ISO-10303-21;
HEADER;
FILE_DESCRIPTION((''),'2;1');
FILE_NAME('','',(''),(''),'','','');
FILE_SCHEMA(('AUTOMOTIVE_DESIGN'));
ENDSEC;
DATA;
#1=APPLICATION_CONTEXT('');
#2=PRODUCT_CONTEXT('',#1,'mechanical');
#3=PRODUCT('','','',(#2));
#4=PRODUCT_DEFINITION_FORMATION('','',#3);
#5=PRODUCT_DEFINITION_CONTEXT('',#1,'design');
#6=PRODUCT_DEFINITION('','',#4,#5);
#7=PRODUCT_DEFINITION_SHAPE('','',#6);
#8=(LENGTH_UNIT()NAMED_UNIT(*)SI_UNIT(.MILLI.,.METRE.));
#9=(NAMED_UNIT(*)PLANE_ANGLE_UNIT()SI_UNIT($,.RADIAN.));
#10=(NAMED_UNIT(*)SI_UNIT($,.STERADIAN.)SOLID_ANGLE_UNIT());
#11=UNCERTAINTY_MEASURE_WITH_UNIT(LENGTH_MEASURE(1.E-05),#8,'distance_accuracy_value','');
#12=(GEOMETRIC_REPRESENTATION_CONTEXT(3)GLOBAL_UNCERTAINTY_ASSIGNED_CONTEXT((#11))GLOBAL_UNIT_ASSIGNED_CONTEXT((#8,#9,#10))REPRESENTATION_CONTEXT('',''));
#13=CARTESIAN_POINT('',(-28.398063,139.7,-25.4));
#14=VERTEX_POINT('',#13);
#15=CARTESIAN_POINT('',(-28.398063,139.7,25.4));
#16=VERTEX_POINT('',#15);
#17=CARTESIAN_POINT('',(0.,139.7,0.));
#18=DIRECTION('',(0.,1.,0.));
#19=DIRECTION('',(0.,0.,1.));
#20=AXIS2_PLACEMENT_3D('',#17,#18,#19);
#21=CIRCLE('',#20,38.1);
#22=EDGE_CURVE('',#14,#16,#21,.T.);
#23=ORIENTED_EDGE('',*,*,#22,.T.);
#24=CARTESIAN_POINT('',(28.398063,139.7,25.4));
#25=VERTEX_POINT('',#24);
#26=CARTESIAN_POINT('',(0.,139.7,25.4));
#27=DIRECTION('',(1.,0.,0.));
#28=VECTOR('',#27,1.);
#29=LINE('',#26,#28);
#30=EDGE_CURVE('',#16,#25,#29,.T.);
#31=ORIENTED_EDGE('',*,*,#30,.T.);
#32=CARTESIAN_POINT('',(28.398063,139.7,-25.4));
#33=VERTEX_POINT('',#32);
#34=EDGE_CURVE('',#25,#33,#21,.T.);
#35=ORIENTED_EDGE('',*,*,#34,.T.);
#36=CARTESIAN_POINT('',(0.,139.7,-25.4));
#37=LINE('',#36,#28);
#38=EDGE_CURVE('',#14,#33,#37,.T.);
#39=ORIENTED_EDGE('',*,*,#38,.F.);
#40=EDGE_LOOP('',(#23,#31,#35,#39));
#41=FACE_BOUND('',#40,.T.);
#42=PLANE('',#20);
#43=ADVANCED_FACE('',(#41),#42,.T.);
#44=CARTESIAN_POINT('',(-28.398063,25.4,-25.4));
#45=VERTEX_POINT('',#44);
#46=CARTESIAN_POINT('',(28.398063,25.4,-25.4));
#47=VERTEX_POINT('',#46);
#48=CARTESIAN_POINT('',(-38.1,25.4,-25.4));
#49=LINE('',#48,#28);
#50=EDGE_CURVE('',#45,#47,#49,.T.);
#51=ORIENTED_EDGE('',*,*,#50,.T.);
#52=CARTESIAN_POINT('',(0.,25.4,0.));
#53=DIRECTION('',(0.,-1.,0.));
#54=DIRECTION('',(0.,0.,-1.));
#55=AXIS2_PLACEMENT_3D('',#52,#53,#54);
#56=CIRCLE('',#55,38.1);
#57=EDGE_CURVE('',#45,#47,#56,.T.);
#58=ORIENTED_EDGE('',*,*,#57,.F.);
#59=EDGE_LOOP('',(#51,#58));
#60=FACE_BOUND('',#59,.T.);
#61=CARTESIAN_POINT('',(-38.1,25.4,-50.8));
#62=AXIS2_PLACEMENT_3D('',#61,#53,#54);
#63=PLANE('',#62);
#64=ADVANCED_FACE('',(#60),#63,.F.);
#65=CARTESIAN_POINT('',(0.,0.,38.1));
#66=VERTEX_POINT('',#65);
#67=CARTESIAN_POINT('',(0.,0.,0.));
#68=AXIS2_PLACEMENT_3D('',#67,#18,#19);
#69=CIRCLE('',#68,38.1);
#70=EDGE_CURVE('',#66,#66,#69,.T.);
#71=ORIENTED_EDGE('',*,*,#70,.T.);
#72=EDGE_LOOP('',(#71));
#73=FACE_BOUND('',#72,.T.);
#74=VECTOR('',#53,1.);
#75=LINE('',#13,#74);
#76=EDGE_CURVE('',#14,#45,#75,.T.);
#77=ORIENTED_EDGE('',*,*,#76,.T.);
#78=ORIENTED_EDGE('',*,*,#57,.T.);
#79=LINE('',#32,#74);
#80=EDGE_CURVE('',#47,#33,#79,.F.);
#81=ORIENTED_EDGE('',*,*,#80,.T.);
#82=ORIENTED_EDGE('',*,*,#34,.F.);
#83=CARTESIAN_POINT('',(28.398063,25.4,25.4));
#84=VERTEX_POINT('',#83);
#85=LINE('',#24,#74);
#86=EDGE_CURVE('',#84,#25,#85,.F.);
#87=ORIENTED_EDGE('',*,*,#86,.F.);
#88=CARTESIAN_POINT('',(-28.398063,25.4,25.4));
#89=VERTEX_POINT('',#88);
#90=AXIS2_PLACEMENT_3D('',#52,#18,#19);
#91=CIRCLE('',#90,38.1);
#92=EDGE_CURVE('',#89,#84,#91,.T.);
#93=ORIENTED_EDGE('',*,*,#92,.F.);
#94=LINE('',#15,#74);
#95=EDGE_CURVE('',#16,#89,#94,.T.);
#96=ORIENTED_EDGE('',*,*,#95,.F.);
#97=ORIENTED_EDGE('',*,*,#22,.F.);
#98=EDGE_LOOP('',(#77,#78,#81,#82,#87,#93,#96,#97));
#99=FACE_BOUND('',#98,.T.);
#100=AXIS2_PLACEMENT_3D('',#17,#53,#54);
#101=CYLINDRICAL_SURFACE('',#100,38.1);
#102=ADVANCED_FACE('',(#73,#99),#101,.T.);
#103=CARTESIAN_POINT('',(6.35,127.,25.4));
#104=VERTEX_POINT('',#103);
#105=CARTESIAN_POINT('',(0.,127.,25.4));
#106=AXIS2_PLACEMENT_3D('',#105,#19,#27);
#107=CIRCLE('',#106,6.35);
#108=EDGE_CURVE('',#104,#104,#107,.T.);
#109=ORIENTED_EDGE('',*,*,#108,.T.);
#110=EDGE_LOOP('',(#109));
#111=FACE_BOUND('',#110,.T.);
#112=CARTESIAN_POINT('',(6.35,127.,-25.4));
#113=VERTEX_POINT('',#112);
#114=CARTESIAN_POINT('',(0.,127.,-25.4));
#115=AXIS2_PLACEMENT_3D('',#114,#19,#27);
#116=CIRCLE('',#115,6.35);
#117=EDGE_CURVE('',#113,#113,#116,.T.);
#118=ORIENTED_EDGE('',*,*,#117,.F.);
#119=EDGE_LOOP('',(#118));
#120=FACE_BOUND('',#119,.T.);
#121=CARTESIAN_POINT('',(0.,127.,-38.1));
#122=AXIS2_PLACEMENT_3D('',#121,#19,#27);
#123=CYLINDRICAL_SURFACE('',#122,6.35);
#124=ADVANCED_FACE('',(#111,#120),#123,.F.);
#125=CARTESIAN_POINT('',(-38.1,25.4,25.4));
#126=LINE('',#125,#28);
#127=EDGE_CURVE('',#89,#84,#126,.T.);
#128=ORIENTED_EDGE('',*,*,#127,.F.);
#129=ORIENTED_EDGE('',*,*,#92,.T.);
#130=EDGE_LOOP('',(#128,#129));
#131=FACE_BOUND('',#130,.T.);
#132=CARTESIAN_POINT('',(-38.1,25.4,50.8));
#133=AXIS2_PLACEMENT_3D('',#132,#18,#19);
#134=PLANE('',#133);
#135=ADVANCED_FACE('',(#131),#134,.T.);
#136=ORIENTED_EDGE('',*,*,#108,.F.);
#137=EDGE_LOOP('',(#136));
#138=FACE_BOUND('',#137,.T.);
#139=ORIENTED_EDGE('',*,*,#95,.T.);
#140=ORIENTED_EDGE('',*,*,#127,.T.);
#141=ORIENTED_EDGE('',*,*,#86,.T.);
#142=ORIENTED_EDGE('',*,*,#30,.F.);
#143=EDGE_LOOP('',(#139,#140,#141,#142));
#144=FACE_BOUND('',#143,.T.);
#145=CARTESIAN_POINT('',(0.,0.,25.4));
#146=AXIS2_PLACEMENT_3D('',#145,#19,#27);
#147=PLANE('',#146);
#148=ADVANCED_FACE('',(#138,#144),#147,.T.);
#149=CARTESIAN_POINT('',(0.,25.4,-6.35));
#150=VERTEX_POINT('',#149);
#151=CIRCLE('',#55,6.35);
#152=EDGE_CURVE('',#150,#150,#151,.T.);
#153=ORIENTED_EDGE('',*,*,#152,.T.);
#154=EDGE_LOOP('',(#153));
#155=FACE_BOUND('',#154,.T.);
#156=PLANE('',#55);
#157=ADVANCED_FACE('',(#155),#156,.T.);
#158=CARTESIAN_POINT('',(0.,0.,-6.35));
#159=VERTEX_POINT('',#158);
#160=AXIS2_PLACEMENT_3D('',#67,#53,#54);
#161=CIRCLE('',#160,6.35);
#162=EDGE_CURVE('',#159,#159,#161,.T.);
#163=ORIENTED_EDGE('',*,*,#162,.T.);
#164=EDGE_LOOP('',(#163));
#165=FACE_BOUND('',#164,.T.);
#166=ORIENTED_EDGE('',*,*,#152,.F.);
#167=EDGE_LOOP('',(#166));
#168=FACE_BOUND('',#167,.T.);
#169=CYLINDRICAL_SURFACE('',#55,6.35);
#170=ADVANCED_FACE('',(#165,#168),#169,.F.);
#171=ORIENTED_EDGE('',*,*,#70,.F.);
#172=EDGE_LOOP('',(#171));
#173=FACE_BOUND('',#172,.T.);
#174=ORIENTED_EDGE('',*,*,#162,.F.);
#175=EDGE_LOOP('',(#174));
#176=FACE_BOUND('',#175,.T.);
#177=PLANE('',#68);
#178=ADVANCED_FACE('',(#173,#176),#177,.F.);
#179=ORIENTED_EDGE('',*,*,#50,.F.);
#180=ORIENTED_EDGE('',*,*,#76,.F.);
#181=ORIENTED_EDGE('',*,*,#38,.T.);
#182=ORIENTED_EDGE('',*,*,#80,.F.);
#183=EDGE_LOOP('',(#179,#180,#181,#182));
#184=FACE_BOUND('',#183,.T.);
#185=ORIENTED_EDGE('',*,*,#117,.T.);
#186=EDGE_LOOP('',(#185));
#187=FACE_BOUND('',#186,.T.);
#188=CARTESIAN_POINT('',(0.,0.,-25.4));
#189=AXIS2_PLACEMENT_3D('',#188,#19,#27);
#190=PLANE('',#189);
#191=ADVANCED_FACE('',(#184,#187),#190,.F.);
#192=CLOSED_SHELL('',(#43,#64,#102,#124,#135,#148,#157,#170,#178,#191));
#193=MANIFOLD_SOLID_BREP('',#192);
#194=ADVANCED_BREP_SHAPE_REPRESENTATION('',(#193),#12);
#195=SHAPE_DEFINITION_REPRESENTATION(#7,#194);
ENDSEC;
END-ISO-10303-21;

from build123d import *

# Parameters (mm, degrees)
SKETCH1_R           = 38.1
BOSS_EXTRUDE1_DEPTH = 139.7
SKETCH2_R           = 6.35
CUT_EXTRUDE1_DEPTH  = 25.4
CUT_EXTRUDE2_START  = 25.4
SKETCH3_W           = 76.2
SKETCH3_H           = 114.3
CUT_EXTRUDE2_DEPTH  = 25.4
CUT_EXTRUDE3_START  = -25.4
SKETCH3_2_W         = 76.2
SKETCH3_2_H         = 114.3
CUT_EXTRUDE3_DEPTH  = 25.4
SKETCH4_R           = 6.35
CUT_EXTRUDE4_DEPTH  = 159.113724894


with BuildPart() as part:
    # Sketch1 → Boss-Extrude1 (new body)
    with BuildSketch(Plane(origin=(0, 0, 0), x_dir=(1, 0, 0), z_dir=(0, 1, 0))):
        Circle(SKETCH1_R)
    extrude(amount=BOSS_EXTRUDE1_DEPTH)

    # Sketch2 → Cut-Extrude1 (cut)
    with BuildSketch(Plane.XZ):
        Circle(SKETCH2_R)
    extrude(amount=-CUT_EXTRUDE1_DEPTH, mode=Mode.SUBTRACT)

    # Sketch3 → Cut-Extrude2 (cut)
    with BuildSketch(Plane.XY.offset(CUT_EXTRUDE2_START)):
        with Locations((0, 82.55)):
            Rectangle(SKETCH3_W, SKETCH3_H)
    extrude(amount=CUT_EXTRUDE2_DEPTH, mode=Mode.SUBTRACT)

    # Sketch3<2> → Cut-Extrude3 (cut)
    with BuildSketch(Plane.XY.offset(CUT_EXTRUDE3_START)):
        with Locations((0, 82.55)):
            Rectangle(SKETCH3_2_W, SKETCH3_2_H)
    extrude(amount=-CUT_EXTRUDE3_DEPTH, mode=Mode.SUBTRACT)

    # Sketch4 → Cut-Extrude4 (cut, through all)
    with BuildSketch(Plane.XY.offset(25.4)):
        with Locations((0, 127)):
            Circle(SKETCH4_R)
    extrude(amount=-CUT_EXTRUDE4_DEPTH, mode=Mode.SUBTRACT)


solid = part.part
